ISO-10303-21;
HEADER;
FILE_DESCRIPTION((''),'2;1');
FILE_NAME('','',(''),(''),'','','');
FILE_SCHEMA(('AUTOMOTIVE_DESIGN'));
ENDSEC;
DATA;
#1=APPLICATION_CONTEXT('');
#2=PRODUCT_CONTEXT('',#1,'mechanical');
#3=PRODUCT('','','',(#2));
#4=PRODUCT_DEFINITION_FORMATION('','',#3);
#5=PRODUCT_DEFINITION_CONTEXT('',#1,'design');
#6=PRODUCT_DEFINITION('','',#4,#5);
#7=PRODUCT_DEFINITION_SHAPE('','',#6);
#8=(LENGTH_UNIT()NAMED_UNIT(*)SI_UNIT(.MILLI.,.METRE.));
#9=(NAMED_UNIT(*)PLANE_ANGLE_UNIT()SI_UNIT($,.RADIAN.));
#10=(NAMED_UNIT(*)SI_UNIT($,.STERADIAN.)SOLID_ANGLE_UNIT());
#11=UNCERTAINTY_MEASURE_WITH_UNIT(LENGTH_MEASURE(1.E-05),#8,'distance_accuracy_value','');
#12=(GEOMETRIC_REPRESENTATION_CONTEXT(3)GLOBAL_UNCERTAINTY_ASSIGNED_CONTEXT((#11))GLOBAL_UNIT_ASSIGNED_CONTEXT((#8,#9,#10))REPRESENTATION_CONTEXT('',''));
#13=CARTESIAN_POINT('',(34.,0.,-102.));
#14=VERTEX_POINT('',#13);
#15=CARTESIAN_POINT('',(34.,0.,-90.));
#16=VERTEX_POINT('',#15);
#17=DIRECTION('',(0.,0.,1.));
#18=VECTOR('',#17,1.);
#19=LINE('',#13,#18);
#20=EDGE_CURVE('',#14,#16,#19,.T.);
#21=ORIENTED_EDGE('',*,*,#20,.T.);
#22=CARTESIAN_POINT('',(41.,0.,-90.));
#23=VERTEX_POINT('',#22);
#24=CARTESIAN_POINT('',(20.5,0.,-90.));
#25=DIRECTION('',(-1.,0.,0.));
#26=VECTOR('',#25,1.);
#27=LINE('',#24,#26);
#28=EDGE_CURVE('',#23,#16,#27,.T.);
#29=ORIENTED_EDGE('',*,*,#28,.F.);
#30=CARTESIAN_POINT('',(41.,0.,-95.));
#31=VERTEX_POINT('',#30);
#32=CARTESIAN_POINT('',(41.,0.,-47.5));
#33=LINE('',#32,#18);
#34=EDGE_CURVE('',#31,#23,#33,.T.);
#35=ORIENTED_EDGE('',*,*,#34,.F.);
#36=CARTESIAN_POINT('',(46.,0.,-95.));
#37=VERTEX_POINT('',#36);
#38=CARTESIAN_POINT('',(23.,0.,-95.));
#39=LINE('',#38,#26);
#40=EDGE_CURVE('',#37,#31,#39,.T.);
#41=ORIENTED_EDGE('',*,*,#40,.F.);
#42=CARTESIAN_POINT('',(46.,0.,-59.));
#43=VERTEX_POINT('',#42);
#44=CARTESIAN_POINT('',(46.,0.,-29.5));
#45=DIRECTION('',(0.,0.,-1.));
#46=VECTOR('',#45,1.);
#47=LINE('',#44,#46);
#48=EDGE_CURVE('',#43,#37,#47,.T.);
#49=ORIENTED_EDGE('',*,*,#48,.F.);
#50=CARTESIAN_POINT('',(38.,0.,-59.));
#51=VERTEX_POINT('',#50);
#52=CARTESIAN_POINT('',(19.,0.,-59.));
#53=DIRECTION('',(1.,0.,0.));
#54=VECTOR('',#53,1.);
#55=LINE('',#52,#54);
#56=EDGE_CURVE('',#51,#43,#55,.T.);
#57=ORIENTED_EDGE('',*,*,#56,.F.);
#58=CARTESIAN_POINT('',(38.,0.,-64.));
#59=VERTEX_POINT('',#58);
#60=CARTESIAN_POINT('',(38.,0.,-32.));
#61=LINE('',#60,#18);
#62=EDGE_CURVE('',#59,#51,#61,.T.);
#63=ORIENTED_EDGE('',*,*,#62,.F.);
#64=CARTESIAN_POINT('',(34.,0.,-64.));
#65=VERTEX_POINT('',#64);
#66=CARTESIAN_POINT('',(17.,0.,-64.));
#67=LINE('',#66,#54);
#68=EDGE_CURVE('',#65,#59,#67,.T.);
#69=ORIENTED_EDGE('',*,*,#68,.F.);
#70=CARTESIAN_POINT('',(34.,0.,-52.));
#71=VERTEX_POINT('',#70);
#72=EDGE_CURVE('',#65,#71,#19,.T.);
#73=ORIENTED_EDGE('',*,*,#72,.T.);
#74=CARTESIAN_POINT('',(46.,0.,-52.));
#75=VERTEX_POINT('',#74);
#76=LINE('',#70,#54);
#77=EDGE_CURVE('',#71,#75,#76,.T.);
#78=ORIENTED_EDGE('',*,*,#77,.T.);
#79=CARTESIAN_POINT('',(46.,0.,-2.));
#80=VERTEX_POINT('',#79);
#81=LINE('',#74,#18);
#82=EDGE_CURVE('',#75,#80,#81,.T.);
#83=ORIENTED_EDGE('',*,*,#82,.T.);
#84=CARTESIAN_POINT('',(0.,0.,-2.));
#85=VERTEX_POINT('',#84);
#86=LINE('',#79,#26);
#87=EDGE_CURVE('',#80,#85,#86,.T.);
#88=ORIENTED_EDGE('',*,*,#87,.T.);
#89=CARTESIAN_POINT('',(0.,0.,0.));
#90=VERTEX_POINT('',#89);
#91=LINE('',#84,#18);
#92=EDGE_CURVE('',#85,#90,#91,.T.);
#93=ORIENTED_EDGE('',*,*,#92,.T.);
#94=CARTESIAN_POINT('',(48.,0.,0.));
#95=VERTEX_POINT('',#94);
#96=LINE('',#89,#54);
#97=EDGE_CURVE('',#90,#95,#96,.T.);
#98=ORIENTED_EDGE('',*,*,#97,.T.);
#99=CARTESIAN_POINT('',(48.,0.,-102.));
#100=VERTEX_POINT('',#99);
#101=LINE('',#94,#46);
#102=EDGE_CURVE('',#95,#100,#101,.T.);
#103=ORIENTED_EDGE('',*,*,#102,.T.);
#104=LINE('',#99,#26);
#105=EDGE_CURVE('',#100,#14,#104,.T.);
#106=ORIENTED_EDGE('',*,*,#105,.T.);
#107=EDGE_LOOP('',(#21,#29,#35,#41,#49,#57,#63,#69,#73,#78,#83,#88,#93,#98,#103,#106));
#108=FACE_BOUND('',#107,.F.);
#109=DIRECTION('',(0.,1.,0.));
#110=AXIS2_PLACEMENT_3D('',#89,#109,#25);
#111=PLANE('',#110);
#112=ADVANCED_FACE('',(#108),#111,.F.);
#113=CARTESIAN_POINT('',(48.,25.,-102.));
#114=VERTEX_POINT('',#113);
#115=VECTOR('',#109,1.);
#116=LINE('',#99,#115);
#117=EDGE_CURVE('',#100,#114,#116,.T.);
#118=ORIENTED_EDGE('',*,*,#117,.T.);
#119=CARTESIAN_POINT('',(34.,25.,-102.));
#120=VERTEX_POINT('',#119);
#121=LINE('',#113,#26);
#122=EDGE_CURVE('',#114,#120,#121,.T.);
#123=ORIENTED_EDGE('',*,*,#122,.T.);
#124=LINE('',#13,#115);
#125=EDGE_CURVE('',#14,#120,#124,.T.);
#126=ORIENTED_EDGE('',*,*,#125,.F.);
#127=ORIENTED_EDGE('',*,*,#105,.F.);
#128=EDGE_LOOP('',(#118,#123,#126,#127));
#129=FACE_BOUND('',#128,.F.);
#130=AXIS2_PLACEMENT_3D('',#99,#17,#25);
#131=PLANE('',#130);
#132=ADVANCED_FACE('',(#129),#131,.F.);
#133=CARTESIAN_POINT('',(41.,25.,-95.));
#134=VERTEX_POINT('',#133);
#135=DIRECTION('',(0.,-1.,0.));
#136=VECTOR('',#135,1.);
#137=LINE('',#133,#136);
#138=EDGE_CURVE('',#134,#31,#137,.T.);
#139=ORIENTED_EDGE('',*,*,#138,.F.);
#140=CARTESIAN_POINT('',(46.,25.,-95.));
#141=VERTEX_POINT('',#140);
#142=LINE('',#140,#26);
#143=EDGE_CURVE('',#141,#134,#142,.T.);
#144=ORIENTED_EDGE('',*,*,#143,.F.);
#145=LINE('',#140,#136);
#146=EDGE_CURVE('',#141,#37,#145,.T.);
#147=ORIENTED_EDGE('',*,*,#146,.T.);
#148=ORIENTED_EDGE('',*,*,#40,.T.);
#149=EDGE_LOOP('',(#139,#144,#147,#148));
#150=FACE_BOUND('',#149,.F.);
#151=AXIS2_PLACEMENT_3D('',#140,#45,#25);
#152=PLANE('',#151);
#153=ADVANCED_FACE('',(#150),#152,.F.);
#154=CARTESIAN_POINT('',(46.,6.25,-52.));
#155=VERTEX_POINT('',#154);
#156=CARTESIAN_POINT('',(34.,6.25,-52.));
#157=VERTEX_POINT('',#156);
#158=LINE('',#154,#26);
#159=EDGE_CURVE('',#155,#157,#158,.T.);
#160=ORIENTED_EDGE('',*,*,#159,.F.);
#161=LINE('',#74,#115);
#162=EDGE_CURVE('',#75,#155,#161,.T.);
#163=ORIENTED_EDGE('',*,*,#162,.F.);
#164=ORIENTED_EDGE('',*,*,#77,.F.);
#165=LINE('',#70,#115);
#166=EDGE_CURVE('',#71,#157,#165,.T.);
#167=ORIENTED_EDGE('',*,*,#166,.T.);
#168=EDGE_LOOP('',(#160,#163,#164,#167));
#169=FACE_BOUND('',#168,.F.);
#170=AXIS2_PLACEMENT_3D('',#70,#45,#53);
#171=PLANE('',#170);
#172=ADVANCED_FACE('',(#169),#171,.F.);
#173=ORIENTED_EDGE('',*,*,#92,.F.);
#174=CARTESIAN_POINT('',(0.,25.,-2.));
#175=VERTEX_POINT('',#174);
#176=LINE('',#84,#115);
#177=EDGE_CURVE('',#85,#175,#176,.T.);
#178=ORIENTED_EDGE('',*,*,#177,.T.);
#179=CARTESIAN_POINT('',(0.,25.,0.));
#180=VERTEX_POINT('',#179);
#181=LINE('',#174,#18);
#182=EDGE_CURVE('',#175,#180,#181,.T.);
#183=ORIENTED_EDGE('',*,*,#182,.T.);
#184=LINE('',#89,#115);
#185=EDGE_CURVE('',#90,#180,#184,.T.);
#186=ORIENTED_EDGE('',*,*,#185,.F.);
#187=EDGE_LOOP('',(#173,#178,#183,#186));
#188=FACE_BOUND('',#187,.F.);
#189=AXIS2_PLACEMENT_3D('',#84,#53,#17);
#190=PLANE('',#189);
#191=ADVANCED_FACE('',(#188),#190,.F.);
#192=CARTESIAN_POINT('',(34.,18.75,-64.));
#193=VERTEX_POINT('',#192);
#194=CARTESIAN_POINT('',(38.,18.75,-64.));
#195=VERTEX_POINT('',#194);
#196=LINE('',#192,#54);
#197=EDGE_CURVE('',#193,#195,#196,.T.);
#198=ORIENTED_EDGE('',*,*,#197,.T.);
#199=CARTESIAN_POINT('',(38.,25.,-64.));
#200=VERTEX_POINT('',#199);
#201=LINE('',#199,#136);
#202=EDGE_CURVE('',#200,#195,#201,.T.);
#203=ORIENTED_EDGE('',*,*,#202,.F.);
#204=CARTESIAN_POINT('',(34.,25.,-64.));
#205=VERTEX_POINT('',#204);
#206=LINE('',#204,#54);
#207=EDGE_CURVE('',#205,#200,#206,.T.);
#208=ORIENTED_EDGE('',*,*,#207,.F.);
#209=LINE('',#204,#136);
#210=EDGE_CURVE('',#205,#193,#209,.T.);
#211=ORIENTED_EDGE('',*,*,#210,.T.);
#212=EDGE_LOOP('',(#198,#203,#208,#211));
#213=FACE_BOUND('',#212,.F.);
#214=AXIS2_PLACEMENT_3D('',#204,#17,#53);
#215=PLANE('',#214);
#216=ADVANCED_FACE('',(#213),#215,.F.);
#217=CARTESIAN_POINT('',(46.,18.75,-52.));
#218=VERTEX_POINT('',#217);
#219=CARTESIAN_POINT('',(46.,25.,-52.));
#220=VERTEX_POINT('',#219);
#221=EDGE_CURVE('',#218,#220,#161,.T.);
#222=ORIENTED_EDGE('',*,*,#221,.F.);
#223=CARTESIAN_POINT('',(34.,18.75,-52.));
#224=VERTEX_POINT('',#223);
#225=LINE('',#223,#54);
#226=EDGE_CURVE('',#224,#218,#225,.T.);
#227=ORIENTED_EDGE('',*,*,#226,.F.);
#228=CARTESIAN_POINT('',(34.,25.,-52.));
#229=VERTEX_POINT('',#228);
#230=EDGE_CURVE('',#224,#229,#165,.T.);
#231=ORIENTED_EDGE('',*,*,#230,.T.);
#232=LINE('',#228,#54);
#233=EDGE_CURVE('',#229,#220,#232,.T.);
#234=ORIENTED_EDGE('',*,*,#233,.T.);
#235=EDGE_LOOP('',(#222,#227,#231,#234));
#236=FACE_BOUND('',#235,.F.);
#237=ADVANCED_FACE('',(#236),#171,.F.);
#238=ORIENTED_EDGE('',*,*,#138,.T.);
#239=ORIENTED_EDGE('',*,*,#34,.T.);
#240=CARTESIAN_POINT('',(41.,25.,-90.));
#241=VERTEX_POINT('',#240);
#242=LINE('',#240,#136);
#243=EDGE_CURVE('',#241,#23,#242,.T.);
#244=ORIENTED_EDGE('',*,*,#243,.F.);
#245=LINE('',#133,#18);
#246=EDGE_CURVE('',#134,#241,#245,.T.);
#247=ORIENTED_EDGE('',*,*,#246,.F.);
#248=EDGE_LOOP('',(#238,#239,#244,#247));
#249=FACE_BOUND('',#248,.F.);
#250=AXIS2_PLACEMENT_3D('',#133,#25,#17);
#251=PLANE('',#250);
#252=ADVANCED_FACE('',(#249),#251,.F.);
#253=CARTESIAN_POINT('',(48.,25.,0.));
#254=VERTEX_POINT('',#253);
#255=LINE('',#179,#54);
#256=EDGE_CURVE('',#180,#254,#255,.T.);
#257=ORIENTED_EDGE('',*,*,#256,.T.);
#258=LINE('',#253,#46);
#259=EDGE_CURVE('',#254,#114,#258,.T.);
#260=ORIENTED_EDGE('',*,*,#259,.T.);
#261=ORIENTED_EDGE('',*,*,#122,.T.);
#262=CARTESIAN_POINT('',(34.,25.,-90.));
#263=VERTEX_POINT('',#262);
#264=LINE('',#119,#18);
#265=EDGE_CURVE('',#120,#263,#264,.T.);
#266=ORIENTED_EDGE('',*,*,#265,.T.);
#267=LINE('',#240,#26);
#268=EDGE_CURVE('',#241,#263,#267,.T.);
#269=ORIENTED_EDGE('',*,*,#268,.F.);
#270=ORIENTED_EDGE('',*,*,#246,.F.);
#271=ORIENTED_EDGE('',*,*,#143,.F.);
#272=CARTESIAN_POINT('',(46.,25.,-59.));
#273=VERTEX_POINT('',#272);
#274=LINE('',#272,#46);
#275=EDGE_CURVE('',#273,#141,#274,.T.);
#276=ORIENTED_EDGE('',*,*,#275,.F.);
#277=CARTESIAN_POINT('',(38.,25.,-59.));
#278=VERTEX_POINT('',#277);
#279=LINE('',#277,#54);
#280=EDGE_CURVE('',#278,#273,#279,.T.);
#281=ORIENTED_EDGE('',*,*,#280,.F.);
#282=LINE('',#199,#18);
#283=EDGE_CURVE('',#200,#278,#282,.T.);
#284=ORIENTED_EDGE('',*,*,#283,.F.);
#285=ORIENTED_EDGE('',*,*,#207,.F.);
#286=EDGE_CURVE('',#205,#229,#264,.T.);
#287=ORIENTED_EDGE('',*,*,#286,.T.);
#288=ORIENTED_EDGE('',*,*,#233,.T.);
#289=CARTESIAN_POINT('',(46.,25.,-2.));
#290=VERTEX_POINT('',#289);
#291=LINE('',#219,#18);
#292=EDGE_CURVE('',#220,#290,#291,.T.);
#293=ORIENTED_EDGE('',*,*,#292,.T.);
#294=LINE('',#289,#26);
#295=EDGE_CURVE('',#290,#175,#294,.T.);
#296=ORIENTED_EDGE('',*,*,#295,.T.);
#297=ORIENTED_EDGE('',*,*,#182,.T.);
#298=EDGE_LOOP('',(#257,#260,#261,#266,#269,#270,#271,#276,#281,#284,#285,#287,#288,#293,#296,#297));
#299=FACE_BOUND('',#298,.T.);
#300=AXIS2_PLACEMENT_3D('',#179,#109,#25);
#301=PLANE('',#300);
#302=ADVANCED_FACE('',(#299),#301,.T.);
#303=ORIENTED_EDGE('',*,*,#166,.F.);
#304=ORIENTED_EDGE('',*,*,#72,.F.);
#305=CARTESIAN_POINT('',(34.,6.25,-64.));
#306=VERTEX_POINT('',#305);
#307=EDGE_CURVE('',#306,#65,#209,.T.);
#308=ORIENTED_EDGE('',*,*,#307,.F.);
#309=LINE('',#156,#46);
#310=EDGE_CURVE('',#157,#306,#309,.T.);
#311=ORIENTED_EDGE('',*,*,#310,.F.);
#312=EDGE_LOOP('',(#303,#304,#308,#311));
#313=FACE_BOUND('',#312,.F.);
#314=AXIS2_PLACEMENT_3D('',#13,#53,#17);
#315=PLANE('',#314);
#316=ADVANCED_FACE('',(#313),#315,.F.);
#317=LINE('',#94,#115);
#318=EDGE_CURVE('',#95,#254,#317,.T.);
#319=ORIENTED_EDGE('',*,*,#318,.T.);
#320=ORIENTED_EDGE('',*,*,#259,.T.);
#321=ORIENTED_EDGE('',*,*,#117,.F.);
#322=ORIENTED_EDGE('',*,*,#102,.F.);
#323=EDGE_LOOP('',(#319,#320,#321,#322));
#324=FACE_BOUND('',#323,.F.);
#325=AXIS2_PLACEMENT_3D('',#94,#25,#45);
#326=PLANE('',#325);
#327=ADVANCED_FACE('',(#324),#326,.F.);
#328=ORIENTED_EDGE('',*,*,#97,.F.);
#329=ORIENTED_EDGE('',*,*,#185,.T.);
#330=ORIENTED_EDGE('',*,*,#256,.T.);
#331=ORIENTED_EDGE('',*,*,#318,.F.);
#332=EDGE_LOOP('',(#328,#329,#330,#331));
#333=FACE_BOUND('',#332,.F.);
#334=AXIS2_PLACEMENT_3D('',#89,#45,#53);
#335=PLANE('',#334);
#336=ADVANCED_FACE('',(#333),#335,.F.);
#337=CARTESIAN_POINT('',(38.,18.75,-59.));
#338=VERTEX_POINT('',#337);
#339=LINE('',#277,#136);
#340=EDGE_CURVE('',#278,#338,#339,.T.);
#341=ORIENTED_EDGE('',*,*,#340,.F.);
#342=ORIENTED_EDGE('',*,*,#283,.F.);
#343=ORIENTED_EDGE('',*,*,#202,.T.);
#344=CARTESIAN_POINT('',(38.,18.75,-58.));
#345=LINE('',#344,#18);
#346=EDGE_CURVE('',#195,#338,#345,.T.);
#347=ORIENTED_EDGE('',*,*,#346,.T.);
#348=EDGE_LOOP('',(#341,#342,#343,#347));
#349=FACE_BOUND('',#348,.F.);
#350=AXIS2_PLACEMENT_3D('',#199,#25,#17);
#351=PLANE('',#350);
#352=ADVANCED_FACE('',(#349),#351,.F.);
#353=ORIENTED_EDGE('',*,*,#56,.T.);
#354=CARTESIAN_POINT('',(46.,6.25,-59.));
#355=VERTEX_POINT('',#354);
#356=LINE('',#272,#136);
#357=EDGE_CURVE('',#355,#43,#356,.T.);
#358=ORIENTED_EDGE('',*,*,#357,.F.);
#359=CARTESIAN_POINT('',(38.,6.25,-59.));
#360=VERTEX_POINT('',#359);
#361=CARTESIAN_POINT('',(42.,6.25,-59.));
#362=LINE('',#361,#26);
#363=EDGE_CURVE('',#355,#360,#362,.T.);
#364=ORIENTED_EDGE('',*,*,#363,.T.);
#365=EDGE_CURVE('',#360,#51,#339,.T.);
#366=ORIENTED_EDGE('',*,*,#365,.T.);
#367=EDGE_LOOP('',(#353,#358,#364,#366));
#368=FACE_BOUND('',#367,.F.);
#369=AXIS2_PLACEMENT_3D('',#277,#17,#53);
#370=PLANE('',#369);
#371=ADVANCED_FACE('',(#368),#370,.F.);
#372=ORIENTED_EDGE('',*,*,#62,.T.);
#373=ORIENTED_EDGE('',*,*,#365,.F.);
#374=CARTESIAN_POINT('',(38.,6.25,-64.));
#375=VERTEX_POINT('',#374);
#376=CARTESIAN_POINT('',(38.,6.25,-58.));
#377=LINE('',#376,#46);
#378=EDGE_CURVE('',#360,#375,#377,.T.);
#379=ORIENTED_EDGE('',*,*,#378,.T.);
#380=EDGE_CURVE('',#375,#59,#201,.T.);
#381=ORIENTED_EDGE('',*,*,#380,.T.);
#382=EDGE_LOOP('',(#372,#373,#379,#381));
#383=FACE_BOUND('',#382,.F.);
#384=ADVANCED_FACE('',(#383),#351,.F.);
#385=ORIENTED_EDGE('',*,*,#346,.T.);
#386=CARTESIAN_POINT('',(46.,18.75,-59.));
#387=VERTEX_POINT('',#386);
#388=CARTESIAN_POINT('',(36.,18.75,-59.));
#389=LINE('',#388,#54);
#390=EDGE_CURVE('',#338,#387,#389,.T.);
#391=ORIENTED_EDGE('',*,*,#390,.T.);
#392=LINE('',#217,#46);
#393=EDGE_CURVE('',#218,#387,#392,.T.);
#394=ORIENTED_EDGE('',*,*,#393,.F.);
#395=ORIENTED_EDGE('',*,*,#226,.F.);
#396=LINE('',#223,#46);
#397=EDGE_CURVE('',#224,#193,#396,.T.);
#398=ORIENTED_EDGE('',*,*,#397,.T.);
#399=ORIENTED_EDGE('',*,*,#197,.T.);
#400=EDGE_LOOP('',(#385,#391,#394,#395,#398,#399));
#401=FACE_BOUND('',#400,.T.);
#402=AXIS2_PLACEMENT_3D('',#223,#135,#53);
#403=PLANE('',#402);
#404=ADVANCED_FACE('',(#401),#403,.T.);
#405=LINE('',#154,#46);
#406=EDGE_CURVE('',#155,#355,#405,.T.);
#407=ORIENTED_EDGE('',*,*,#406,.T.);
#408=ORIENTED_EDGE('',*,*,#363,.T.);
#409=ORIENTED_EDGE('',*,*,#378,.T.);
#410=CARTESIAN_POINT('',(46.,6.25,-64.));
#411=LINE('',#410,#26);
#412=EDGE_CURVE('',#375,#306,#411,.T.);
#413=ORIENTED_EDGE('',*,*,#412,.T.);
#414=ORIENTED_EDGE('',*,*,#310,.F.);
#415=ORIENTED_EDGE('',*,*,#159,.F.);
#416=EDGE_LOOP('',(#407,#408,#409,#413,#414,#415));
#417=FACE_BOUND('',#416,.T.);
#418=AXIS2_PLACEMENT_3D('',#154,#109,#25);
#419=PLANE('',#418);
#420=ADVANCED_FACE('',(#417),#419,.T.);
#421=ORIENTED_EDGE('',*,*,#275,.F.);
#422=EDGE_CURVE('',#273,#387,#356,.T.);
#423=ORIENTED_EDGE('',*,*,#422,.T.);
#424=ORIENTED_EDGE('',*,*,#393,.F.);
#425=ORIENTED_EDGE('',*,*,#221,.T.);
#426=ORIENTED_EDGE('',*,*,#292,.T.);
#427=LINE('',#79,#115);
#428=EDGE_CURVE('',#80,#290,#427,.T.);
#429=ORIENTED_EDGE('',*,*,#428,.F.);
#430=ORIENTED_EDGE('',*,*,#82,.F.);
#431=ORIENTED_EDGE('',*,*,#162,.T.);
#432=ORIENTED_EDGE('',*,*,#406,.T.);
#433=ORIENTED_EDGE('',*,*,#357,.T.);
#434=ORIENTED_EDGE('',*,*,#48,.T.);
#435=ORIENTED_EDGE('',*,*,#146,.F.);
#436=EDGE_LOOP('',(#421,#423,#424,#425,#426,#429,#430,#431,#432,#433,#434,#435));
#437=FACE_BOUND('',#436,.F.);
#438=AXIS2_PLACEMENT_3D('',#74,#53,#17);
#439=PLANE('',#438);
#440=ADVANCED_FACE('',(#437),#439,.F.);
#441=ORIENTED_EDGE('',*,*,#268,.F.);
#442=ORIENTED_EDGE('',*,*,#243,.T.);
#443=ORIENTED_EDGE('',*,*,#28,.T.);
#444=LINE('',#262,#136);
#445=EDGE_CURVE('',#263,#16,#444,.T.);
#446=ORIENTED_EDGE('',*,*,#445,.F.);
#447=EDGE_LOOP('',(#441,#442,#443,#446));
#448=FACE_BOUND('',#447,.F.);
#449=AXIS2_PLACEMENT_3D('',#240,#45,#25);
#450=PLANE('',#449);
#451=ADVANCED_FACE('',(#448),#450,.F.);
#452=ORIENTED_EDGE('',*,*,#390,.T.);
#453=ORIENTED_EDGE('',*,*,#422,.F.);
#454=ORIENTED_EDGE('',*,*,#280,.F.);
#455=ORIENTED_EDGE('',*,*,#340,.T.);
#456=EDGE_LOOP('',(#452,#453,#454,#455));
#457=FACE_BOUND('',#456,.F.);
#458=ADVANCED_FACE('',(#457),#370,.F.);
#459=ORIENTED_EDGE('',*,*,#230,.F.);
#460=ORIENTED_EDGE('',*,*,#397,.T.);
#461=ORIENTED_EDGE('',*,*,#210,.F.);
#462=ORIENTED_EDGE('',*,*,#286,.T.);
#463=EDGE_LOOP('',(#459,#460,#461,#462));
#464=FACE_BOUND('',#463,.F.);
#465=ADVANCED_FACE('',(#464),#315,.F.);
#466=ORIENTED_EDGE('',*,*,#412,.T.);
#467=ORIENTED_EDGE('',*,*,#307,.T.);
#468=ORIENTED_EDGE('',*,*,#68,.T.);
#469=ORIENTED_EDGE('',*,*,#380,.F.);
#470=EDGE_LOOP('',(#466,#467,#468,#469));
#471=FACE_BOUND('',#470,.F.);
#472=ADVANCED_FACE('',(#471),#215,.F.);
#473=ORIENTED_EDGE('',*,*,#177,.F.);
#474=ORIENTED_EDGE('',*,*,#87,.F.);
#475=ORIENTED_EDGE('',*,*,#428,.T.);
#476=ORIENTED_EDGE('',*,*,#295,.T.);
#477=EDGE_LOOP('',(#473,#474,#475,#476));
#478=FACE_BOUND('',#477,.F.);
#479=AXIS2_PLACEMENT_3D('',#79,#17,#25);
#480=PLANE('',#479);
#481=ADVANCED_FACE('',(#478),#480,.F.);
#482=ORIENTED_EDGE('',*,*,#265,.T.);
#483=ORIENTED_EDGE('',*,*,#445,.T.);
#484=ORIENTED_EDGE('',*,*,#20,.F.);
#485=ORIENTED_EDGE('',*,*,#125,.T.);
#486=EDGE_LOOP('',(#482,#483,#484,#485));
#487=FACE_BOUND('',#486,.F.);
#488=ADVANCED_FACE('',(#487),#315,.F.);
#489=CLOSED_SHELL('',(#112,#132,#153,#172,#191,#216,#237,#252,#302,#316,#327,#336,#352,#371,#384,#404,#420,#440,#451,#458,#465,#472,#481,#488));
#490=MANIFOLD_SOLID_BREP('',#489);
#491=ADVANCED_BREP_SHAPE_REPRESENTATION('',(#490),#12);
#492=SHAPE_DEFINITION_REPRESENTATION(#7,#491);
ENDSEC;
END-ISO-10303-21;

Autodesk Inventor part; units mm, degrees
ref_plane "YZ Plane" through (0, 0, 0) normal (1, 0, 0) x (0, 1, 0)
ref_plane "XZ Plane" through (0, 0, 0) normal (0, 1, 0) x (-1, 0, 0)
ref_plane "XY Plane" through (0, 0, 0) normal (0, 0, 1) x (1, 0, 0)
sketch "Skizze1" plane through (0, 0, 0) normal (0, 1, 0) x (-1, 0, 0)
  line L0 (0, 0) -> (-48, 0)
  line L1 (-48, 0) -> (-48, -102)
  line L2 (-48, -102) -> (-34, -102)
  line L3 (-34, -102) -> (-34, -52)
  line L4 (-34, -52) -> (-46, -52)
  line L5 (-46, -52) -> (-46, -2)
  line L6 (-46, -2) -> (0, -2)
  line L7 (0, -2) -> (0, 0)
  dimension "d0" = 2
  dimension "d1" = 46
  dimension "d2" = 48
  dimension "d3" = 50
  dimension "d4" = 50
  dimension "d5" = 12
extrude "Extrusion1" add sketch "Skizze1" along normal blind 25
sketch "Skizze2" plane through (0, 25, 0) normal (0, 1, 0) x (1, 0, 0)
  line L0 (48, 0) -> (48, 102) projected
  line L1 (48, 102) -> (34, 102) projected
  line L2 (34, 102) -> (34, 52) projected
  line L3 (34, 52) -> (46, 52) projected
  line L4 (46, 52) -> (46, 2) projected
  line L5 (46, 2) -> (0, 2) projected
  line L6 (0, 2) -> (0, 0) projected
  line L7 (0, 0) -> (48, 0) projected
  line L8 (46, 59) -> (46, 95)
  line L9 (46, 95) -> (41, 95)
  line L10 (41, 95) -> (41, 90)
  line L11 (41, 90) -> (34, 90)
  line L12 (34, 64) -> (38, 64)
  line L13 (38, 64) -> (38, 59)
  line L14 (38, 59) -> (46, 59)
  point P0 (34, 77)
  point P1 (46, 77)
  point P2 (39, 59)
  dimension "d18" = 5
  dimension "d19" = 36
  dimension "d20" = 5
  dimension "d21" = 8
  dimension "d22" = 5
extrude "Extrusion2" cut sketch "Skizze2" against normal through all contours L11 L10 L9 L8 L14 L13 L12 L2
sketch "Skizze3" plane through (34, 0, -52) normal (0, 0, 1) x (1, 0, 0)
  line L0 (0, 0) -> (12, 0) projected
  line L1 (12, 0) -> (12, 25) projected
  line L2 (0, 25) -> (12, 25) projected
  line L3 (0, 0) -> (0, 25) projected
  line L4 (12, 0) -> (12, 25) projected
  line L5 (12, 6.25) -> (0, 6.25)
  line L6 (0, 0) -> (0, 25) projected
  line L7 (0, 18.75) -> (12, 18.75)
  line L8 (6, 6.25) -> (6, 18.75) construction
  point P0 (-34, 0)
  point P1 (6, 12.5)
  point P2 (0, 12.5)
  dimension "d15" = 12.5
extrude "Extrusion3" cut sketch "Skizze3" against normal up to surface (12 mm away) contours L3 L7 L1 L5
properties part number "ESP_stand"
